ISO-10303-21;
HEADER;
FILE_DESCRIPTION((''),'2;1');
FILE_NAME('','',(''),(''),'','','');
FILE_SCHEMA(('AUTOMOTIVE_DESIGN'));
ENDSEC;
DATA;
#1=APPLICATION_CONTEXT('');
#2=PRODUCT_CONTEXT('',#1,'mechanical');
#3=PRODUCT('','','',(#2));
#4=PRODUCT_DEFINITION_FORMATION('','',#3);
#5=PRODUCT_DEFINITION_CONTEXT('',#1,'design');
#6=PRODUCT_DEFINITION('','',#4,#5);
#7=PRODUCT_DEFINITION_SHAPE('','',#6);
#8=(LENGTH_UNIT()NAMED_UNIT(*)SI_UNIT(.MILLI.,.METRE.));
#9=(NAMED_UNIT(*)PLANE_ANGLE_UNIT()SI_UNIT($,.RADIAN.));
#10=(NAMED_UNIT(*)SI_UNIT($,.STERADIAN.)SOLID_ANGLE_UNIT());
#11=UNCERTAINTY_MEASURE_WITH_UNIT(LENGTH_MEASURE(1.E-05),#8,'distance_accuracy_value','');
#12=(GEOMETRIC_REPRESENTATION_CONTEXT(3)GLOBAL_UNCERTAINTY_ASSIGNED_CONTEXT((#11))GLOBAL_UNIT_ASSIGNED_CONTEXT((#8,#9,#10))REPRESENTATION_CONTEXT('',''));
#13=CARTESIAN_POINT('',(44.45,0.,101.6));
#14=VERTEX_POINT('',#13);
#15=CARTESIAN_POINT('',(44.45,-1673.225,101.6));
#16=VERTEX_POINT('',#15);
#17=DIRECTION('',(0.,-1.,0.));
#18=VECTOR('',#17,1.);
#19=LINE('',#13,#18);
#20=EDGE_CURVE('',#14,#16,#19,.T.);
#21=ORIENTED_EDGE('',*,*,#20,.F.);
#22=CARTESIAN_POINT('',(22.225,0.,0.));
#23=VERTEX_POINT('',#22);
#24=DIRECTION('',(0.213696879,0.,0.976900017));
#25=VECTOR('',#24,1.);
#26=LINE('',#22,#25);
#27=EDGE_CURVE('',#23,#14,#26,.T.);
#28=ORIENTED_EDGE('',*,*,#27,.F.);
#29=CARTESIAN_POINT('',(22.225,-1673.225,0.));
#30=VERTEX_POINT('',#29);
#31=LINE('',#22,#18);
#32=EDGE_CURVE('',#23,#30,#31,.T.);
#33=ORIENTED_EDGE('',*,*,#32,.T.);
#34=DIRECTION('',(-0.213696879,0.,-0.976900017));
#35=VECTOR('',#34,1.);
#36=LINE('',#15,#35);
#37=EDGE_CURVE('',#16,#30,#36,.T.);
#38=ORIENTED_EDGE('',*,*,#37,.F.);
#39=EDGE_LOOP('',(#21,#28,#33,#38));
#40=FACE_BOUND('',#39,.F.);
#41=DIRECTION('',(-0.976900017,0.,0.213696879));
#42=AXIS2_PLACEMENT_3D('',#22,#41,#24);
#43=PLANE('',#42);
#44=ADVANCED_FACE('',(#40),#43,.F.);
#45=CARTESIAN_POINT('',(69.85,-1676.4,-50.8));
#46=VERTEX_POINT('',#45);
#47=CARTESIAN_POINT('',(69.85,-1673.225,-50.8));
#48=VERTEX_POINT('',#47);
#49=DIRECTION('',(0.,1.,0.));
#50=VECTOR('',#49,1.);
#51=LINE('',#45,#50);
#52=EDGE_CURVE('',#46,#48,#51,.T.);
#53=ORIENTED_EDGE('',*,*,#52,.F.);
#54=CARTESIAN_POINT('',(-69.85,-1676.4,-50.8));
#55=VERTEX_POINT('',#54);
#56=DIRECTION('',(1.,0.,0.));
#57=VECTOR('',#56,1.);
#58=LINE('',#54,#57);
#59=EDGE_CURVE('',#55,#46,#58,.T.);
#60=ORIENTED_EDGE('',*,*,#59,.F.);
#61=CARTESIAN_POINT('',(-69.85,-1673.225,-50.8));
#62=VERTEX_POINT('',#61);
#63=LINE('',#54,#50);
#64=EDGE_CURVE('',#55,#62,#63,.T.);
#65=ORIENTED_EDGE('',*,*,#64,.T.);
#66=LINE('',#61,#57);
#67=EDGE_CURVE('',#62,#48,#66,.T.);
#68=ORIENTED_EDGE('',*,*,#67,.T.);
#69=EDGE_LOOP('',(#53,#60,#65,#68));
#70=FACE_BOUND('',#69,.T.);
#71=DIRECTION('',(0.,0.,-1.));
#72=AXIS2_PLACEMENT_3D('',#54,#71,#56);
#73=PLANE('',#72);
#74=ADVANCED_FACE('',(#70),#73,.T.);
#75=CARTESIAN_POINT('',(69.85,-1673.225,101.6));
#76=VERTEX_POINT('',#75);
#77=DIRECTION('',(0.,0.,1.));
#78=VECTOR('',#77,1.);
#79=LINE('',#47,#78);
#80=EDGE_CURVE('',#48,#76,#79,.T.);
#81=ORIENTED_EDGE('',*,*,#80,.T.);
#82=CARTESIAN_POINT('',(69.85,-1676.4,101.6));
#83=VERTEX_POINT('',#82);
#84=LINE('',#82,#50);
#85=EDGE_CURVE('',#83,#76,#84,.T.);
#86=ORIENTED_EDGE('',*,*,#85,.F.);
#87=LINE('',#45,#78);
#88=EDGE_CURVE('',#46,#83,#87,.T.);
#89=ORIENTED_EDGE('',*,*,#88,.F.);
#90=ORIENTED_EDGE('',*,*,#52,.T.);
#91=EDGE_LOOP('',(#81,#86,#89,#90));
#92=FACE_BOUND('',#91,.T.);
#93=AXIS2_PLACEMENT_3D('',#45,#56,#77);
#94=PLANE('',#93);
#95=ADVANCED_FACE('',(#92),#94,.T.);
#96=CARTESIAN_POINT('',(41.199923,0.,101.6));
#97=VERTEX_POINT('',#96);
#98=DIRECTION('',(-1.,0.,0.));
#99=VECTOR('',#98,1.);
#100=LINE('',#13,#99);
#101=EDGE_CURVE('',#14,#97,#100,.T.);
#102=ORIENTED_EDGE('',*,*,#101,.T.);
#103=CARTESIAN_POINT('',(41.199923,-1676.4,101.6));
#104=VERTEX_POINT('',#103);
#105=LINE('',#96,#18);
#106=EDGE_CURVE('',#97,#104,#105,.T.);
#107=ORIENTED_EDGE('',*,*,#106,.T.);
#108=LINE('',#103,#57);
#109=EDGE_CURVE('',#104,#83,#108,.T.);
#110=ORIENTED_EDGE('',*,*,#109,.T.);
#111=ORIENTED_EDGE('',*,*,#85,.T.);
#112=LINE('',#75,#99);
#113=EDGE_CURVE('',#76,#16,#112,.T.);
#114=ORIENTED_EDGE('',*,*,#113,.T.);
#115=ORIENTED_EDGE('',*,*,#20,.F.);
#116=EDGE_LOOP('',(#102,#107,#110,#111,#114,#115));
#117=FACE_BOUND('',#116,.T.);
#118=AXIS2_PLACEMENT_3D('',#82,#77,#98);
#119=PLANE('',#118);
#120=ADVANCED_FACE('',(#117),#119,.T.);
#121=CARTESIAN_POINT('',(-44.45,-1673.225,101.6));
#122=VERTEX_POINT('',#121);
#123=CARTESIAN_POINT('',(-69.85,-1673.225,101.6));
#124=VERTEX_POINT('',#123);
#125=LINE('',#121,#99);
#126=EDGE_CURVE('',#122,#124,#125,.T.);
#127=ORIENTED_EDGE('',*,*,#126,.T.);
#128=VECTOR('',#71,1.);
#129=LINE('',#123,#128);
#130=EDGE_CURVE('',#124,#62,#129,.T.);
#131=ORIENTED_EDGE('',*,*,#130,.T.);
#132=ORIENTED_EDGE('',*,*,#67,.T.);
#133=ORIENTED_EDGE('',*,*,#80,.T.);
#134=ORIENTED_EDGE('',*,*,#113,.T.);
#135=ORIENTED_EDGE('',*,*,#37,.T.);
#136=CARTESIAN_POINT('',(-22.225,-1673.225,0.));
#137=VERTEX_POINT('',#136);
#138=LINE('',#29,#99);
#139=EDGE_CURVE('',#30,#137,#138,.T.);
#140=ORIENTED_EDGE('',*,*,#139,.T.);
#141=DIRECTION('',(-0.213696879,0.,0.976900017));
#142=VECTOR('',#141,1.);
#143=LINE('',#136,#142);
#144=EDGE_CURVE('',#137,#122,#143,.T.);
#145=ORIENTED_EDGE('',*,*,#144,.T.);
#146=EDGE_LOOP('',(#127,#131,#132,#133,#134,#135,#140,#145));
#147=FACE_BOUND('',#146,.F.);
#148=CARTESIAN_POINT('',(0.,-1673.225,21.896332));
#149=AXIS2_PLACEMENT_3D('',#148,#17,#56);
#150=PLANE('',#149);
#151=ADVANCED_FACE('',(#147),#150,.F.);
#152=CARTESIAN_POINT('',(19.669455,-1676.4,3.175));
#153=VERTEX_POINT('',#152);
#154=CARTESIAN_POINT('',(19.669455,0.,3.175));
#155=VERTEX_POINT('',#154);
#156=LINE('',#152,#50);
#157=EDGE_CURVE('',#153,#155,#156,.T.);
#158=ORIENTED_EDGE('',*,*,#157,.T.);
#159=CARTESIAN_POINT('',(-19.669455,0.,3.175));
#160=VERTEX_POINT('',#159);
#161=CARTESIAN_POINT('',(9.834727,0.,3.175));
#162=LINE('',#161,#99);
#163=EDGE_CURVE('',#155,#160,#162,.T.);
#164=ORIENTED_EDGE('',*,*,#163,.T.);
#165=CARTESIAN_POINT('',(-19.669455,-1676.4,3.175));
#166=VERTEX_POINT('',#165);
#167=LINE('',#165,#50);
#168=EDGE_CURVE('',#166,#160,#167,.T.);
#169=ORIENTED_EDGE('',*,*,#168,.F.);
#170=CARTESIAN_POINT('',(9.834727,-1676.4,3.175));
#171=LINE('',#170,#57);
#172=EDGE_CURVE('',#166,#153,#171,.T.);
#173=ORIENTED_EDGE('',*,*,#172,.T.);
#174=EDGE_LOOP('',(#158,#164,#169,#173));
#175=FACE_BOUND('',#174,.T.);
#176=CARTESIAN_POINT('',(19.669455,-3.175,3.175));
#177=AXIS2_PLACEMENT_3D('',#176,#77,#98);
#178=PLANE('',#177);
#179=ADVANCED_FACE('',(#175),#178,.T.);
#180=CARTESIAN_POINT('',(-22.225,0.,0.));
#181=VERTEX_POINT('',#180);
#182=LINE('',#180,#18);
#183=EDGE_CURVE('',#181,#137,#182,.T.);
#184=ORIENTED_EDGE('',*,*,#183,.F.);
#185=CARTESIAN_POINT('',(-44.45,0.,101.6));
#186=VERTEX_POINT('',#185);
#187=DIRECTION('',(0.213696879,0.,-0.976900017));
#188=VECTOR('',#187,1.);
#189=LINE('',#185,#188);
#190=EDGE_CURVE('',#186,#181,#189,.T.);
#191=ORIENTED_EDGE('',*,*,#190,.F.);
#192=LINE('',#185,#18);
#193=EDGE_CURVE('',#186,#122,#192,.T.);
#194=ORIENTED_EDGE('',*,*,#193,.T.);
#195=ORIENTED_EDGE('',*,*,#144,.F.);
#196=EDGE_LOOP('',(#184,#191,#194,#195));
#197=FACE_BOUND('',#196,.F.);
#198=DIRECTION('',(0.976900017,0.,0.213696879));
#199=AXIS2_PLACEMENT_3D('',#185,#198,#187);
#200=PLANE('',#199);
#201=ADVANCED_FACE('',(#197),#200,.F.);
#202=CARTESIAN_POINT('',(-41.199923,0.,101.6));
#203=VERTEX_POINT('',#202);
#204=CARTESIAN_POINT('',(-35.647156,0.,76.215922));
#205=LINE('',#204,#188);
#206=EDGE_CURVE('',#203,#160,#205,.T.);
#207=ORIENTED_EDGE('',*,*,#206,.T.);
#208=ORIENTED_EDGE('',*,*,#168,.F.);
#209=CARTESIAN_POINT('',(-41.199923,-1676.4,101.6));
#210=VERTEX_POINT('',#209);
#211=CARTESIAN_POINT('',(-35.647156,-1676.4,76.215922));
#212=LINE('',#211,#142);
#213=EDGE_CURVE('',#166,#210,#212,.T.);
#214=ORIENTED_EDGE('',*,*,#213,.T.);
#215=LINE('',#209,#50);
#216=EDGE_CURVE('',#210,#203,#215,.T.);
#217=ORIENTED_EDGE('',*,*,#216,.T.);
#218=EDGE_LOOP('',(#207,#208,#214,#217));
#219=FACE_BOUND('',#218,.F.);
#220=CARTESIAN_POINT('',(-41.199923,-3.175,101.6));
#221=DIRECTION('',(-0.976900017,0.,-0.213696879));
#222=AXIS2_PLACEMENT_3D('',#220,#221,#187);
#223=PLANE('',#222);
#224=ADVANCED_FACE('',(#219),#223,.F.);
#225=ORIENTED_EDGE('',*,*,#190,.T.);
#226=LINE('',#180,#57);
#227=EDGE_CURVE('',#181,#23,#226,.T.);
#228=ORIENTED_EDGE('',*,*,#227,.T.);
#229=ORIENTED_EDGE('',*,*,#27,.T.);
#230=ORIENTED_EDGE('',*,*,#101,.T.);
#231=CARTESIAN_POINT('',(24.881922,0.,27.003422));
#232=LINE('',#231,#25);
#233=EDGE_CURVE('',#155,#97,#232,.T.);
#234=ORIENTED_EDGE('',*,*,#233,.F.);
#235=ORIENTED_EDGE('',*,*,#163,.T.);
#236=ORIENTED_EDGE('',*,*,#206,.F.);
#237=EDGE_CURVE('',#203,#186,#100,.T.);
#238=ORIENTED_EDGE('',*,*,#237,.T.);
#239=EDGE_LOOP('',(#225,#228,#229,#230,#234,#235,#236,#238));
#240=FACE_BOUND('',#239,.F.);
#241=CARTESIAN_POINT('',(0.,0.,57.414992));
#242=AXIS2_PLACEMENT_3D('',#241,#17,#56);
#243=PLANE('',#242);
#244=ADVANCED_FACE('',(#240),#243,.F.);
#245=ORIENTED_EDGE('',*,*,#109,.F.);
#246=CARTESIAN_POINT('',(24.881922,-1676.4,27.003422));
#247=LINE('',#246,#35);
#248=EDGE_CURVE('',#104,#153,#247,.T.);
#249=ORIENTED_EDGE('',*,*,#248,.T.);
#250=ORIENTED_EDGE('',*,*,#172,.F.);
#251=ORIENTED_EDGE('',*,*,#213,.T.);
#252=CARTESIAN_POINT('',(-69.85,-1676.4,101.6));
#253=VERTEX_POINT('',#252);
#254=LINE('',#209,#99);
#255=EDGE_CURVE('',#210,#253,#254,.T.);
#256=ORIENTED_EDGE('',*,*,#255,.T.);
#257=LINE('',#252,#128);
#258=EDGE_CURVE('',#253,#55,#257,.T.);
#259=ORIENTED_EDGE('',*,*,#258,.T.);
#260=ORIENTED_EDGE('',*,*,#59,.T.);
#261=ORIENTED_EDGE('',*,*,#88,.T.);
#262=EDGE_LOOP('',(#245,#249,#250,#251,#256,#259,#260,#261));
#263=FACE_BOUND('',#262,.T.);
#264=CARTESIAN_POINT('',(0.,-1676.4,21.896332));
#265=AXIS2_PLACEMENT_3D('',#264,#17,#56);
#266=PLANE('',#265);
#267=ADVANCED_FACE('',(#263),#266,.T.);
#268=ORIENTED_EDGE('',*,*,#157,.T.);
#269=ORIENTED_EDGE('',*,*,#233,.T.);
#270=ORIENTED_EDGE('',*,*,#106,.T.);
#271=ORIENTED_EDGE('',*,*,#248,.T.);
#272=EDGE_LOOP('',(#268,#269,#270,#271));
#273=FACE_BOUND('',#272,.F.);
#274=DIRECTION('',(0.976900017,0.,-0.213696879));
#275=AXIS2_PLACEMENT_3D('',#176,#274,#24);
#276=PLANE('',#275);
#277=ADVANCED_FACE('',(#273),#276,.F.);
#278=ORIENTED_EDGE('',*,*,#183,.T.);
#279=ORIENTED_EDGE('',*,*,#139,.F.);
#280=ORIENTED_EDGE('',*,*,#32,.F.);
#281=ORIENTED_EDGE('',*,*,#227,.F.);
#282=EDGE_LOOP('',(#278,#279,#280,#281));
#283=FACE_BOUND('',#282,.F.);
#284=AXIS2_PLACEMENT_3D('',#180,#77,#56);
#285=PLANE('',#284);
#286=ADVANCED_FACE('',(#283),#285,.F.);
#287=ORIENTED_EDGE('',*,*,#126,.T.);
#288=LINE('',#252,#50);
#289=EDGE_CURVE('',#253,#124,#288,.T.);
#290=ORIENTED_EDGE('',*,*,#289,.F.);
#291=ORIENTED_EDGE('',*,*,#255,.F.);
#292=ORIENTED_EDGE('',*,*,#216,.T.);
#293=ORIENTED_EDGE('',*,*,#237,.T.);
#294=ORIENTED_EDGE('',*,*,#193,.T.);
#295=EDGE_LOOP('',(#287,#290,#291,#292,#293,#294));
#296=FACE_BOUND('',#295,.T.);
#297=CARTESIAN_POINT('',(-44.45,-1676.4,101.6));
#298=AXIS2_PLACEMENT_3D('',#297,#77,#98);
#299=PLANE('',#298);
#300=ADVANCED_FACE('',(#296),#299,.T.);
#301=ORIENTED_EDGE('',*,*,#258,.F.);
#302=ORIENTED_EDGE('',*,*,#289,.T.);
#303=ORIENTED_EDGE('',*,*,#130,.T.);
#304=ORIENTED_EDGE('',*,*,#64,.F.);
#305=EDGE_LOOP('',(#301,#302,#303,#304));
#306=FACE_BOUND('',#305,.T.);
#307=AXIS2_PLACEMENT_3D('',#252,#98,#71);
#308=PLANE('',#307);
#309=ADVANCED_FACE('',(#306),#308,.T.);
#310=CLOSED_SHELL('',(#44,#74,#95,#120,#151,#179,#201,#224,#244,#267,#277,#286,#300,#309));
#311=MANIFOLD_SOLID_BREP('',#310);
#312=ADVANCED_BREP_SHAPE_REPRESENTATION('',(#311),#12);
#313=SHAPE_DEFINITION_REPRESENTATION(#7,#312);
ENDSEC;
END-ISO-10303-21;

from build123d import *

# Parameters (mm, degrees)
F1_DEPTH = 1676.4
F2_T     = -3.175
F3_DEPTH = 25.4
F4_DEPTH = 25.4
F6_DEPTH = 3.175


with BuildPart() as f1:
    # F0 (on Front) → F1 (new body)
    with BuildSketch(Plane.XZ):
        Polygon((-22.225, 0), (0, 0), (22.225, 0), (44.45, 101.6), (-44.45, 101.6), align=None)
    extrude(amount=F1_DEPTH)

    # F2
    f2_openings = [f1.faces().sort_by_distance(p)[0] for p in [
        (0, -838.2, 101.6),
    ]]
    offset(amount=F2_T, openings=f2_openings)

    # F3 (cut): a face of the model
    f3_faces = [f1.faces().sort_by_distance(p)[0] for p in [
        (0, -1673.225, 58.1899151132),
    ]]
    extrude(f3_faces, amount=-F3_DEPTH, mode=Mode.SUBTRACT)

    # F4 (cut): a face of the model
    f4_faces = [f1.faces().sort_by_distance(p)[0] for p in [
        (0, -3.175, 58.1899151132),
    ]]
    extrude(f4_faces, amount=-F4_DEPTH, mode=Mode.SUBTRACT)

    # F5 (on face) → F6 (join)
    with BuildSketch(Plane.XZ.offset(1676.4)):
        Polygon((69.85, 101.6), (44.45, 101.6), (22.225, 0), (-22.225, 0), (-44.45, 101.6), (-69.85, 101.6), (-69.85, -50.8), (69.85, -50.8), align=None)
    extrude(amount=-F6_DEPTH)


solid = f1.part
